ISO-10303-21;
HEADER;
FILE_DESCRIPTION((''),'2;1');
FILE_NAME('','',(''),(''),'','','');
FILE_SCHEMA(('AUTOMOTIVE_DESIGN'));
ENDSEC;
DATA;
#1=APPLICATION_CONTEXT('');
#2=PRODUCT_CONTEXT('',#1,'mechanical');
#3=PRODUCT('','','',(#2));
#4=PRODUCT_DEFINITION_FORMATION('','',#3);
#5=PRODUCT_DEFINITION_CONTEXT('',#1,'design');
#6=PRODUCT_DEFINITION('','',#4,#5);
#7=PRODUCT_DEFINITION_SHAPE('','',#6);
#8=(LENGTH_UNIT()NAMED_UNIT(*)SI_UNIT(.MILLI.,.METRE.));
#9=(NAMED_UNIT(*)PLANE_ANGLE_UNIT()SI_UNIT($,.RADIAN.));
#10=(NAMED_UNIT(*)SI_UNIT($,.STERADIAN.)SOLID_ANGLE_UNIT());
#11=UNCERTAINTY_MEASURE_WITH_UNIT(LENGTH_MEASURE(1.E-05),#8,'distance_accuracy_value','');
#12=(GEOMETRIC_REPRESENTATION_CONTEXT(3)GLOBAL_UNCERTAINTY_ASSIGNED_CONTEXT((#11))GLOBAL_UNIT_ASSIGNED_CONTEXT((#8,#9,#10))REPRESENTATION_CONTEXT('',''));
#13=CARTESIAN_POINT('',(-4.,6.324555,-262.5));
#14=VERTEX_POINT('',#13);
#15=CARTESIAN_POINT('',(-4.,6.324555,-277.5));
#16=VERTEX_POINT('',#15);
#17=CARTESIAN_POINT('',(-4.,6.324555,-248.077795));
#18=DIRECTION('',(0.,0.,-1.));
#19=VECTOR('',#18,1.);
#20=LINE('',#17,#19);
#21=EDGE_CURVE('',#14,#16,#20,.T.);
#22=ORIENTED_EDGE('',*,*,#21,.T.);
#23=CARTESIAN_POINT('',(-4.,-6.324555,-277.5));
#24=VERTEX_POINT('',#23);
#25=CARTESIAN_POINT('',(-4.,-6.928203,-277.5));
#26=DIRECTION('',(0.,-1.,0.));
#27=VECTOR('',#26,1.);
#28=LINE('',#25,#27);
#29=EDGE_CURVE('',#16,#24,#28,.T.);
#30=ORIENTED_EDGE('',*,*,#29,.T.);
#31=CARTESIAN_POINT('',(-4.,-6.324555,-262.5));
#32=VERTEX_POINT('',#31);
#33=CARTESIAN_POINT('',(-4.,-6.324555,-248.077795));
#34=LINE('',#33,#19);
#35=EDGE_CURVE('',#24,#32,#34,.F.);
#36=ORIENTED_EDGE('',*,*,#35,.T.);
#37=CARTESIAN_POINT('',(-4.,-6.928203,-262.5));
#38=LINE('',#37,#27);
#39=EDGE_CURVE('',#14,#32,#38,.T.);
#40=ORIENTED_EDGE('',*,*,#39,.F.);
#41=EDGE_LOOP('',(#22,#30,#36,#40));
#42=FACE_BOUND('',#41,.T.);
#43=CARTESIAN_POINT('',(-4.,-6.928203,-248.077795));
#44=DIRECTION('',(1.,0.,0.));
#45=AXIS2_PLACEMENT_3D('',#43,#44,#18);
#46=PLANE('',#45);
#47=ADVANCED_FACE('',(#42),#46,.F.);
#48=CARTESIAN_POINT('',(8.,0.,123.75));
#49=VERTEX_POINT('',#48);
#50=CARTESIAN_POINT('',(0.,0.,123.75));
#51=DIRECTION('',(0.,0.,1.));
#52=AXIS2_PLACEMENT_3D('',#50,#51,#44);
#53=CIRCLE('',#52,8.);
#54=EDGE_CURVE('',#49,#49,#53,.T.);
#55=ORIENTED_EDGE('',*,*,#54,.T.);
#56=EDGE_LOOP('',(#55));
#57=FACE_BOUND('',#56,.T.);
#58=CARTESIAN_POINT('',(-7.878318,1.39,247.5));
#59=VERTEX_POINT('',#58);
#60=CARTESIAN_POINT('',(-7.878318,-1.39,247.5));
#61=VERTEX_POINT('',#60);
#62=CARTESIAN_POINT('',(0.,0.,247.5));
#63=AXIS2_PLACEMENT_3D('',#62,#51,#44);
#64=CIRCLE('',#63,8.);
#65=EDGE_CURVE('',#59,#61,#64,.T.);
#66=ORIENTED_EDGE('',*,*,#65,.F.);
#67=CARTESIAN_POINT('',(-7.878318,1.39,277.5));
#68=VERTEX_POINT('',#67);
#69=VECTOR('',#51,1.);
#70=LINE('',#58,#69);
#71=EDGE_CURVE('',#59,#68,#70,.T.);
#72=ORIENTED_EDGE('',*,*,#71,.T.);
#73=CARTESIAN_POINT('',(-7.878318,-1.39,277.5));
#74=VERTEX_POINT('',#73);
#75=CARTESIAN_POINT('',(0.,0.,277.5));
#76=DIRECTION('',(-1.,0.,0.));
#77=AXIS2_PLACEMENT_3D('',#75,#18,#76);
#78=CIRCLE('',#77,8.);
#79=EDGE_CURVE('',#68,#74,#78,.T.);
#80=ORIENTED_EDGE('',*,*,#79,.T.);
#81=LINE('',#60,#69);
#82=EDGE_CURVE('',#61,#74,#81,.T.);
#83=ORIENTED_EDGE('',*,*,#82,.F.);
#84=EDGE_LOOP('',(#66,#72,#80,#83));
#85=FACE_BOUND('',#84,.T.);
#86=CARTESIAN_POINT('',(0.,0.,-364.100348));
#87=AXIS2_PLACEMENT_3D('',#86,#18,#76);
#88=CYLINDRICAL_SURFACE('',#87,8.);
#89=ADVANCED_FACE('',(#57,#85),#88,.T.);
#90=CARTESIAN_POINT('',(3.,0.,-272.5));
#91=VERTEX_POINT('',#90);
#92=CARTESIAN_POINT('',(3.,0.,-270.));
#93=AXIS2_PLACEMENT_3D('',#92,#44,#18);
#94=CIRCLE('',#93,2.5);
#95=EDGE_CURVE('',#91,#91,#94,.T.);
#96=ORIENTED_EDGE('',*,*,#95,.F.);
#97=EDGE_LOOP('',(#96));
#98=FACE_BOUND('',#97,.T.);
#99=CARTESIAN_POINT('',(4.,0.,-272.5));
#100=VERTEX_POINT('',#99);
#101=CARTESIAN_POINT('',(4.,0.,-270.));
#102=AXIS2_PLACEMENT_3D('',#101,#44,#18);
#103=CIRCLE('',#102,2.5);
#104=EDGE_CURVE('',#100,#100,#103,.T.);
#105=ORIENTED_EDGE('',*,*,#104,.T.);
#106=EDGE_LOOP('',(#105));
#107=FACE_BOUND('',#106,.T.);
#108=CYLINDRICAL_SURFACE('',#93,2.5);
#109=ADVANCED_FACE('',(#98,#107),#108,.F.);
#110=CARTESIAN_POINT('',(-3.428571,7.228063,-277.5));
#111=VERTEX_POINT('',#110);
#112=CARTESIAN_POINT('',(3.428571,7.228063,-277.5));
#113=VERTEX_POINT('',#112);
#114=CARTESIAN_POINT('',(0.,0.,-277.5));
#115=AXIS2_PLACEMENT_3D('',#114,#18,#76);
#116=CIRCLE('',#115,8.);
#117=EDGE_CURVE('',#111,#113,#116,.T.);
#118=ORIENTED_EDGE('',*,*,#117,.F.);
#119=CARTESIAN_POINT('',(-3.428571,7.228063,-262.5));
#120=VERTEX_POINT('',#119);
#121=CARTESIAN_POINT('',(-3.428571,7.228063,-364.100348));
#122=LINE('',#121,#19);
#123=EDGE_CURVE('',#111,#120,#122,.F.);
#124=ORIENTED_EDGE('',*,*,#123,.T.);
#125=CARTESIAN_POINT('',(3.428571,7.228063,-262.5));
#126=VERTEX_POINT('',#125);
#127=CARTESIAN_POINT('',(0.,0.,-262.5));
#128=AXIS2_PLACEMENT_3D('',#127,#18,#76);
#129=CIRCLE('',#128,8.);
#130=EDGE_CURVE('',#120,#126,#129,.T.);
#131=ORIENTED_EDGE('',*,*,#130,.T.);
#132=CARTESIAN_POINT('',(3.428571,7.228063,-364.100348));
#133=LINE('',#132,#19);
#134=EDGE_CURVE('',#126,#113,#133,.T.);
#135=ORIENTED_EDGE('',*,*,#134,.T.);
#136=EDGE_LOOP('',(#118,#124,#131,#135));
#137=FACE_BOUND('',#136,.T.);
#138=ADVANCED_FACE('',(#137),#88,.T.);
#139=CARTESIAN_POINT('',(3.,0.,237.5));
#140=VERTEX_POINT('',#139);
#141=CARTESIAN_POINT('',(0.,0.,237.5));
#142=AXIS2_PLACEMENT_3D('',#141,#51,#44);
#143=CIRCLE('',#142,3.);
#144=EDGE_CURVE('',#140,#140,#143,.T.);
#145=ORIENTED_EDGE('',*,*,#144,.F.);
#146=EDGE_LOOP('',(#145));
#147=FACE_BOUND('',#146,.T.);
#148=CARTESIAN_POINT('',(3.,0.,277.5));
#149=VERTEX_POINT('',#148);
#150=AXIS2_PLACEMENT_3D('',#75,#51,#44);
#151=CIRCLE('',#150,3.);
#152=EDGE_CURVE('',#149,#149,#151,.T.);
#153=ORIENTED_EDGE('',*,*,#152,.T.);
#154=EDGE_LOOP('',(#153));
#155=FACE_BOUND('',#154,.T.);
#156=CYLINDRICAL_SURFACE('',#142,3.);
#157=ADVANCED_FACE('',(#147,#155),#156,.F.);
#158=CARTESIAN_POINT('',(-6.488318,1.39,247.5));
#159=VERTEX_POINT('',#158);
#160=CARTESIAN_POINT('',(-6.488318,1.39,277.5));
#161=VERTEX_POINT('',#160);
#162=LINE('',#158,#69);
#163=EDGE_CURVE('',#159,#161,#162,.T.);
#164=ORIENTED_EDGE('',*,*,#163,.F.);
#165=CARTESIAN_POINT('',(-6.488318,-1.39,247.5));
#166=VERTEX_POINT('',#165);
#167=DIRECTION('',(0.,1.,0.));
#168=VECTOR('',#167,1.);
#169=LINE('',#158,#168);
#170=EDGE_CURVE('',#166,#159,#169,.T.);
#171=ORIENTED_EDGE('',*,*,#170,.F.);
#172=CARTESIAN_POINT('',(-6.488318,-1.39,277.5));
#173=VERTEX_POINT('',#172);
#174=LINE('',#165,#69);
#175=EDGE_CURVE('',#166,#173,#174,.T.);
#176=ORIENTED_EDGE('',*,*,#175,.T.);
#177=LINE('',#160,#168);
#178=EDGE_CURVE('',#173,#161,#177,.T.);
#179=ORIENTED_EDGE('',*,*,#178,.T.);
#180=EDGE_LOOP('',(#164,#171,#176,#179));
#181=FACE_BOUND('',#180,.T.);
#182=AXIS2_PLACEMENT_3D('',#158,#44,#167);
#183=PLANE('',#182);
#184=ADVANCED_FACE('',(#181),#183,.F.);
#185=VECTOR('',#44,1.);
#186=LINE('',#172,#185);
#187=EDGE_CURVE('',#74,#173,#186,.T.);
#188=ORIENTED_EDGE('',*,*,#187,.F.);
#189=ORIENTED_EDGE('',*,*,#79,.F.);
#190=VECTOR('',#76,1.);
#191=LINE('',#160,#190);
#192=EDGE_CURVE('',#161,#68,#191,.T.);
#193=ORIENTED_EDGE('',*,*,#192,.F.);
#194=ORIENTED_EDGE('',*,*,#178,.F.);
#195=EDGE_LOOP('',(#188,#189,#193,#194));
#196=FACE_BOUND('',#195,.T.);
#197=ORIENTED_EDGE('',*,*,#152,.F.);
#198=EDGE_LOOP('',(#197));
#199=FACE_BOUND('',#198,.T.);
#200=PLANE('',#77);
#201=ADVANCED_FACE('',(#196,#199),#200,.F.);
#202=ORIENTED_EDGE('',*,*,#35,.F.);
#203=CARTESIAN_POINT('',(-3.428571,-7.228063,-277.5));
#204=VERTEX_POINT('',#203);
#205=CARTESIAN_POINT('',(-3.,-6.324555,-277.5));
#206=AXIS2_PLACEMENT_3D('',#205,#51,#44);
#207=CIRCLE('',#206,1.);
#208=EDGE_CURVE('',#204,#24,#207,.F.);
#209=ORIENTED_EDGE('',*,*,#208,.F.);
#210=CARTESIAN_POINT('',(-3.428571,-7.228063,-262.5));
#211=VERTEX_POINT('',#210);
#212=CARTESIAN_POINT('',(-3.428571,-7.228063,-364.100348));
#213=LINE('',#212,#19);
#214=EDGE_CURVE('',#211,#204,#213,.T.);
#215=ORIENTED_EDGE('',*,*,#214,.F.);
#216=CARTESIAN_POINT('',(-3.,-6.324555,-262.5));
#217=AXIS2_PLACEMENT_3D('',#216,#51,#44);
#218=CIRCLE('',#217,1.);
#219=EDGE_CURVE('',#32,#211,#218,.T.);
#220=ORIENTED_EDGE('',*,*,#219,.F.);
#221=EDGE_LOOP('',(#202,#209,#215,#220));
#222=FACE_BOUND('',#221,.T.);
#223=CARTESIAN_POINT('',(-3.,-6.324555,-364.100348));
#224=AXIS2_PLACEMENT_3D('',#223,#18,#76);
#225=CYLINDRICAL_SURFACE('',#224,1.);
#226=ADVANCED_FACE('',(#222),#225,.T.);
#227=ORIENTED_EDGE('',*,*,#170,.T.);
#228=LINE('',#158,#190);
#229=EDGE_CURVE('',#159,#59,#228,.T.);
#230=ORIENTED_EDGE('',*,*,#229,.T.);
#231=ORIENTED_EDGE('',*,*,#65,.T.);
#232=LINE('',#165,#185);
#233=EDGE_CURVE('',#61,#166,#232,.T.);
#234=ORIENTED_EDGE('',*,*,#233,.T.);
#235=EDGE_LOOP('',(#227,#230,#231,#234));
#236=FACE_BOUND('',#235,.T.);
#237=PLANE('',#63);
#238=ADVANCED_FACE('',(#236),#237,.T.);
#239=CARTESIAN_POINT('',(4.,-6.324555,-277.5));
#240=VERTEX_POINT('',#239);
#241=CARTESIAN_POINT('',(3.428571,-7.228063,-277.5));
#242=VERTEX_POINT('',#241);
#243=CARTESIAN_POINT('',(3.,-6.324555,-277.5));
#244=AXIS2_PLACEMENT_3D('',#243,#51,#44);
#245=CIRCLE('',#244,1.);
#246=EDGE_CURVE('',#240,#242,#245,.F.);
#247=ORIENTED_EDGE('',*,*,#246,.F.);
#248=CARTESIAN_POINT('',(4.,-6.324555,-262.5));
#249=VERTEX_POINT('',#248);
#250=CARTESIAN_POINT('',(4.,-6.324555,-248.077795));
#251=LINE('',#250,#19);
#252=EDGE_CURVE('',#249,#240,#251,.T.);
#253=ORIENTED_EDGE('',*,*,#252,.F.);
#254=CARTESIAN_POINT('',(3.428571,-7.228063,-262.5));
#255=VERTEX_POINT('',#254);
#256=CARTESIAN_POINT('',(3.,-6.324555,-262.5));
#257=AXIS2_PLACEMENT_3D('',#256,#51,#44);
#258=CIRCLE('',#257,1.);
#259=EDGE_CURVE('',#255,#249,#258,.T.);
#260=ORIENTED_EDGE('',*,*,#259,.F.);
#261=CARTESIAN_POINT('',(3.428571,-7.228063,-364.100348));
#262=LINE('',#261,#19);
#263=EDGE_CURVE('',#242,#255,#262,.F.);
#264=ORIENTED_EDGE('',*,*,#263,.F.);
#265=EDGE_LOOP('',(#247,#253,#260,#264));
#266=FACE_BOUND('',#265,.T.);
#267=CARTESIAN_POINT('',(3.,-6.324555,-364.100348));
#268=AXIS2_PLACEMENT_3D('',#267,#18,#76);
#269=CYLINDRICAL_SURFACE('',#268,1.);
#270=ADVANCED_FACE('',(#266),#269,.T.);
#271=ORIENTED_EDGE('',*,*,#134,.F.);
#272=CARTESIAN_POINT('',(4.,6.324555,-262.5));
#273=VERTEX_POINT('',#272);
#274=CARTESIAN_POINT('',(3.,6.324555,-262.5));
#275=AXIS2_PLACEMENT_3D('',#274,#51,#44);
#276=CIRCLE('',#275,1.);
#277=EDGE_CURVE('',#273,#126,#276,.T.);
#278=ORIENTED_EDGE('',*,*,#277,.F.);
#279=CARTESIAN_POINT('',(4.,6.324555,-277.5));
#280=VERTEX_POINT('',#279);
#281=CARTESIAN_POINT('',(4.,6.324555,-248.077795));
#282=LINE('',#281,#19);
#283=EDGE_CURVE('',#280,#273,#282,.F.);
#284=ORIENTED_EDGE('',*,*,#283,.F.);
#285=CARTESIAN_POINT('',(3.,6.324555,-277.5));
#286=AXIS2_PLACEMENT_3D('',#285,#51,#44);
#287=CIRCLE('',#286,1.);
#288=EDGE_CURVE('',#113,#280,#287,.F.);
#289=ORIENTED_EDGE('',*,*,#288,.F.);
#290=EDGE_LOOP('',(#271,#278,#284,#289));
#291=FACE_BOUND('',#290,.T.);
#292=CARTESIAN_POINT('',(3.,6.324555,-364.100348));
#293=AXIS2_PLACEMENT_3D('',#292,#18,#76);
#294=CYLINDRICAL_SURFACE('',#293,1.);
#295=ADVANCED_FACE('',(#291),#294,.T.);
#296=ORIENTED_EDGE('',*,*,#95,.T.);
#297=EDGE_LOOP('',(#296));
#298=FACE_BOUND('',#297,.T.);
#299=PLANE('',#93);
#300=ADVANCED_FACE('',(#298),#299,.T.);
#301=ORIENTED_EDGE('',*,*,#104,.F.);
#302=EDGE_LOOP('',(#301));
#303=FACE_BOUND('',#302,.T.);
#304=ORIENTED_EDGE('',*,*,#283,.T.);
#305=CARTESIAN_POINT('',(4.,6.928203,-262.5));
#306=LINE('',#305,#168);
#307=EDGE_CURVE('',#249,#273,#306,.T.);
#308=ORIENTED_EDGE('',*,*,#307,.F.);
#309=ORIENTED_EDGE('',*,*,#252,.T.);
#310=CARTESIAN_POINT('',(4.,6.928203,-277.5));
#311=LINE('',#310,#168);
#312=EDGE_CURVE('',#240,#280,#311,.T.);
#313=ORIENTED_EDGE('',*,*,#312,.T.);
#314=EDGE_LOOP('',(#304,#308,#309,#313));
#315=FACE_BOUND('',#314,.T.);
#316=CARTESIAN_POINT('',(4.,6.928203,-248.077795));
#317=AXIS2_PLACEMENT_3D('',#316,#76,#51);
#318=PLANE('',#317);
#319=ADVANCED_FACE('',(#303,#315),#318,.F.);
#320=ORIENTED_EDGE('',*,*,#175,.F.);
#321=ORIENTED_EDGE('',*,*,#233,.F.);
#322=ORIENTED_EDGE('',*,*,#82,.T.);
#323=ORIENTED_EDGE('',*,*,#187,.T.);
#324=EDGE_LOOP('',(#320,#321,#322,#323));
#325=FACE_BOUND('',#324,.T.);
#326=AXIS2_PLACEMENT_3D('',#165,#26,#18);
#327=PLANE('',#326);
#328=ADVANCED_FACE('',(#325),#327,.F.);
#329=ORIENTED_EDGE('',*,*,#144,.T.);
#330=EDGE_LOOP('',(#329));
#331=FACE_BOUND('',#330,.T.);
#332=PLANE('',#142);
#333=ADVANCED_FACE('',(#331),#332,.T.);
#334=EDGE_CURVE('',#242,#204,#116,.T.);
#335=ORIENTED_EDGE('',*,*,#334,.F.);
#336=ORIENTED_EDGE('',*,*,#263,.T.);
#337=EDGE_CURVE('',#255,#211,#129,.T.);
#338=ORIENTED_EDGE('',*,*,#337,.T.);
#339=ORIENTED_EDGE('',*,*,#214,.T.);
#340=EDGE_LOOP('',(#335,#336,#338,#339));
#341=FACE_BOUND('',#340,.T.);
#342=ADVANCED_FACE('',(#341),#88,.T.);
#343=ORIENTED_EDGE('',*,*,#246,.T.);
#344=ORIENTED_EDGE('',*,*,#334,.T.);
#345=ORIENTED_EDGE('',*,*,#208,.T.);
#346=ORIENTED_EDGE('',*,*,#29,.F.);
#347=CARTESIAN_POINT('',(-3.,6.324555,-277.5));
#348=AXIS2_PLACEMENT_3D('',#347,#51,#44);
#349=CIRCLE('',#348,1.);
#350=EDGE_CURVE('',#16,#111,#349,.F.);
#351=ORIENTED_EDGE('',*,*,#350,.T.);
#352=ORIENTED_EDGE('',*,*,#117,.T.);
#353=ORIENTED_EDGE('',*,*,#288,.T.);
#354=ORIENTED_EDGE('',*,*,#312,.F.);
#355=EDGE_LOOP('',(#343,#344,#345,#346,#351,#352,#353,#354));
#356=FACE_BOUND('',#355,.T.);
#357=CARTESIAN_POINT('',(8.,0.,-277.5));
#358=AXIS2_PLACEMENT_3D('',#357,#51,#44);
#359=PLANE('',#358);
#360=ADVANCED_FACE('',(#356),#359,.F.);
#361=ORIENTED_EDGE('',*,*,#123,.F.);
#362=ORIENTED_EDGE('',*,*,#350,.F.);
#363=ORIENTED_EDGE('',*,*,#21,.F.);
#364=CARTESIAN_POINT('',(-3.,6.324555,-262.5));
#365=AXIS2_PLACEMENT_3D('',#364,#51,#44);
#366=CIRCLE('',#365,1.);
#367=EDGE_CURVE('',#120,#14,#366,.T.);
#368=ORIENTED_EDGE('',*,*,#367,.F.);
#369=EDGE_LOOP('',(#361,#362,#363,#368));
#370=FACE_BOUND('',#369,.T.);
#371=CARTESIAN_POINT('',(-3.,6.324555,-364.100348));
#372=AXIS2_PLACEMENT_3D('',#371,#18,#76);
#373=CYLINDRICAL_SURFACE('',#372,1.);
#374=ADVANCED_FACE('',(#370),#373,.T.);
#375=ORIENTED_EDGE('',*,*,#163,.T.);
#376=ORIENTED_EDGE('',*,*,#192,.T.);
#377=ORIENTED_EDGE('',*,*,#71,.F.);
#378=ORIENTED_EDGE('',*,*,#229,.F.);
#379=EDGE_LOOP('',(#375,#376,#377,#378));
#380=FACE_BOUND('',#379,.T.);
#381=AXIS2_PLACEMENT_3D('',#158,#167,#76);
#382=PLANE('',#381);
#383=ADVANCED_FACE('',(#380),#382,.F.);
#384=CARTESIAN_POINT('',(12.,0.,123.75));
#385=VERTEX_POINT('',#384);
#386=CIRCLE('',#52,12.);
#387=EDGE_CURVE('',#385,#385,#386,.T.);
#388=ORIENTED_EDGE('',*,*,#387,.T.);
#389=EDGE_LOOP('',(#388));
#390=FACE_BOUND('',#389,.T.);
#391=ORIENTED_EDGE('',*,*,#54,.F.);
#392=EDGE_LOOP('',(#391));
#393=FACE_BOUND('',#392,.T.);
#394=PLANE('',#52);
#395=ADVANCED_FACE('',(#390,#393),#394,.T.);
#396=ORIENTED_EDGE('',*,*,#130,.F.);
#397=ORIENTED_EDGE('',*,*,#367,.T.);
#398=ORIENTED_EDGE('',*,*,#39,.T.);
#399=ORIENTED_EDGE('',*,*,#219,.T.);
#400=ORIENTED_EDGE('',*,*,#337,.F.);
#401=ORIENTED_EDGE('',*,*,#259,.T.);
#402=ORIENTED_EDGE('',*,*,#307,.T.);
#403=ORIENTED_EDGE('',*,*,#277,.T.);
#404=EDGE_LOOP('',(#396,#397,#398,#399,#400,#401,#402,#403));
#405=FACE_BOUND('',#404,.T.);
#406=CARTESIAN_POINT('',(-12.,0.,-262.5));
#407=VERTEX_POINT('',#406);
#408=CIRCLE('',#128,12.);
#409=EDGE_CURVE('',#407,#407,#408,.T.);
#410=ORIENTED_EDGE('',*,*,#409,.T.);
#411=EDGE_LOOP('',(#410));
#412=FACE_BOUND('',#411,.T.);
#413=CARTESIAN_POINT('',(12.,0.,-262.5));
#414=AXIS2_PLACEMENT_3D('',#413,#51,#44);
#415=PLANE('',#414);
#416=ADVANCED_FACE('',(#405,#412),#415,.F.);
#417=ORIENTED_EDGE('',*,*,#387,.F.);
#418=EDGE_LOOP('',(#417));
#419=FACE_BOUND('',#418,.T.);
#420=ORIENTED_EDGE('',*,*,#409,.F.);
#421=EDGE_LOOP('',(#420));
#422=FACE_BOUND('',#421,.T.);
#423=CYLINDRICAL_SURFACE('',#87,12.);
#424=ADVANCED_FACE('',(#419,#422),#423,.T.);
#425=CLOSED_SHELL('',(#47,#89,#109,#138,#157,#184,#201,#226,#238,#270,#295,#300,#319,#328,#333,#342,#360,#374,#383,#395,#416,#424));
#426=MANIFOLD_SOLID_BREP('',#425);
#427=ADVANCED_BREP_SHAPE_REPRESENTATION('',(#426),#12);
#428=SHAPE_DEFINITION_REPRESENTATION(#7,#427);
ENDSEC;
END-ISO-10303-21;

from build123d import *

# Parameters (mm, degrees)
CUT_EXTRUDE2_START = -30
CUT_EXTRUDE2_DEPTH = 30
SKETCH5_R          = 3
CUT_EXTRUDE3_DEPTH = 40
CUT_EXTRUDE4_START = -138.75
SKETCH6_R          = 12
SKETCH6_R_2        = 8
CUT_EXTRUDE4_DEPTH = 138.75
CUT_EXTRUDE5_DEPTH = 15
FILLET1_R          = 1
SKETCH8_R          = 2.5
CUT_EXTRUDE6_DEPTH = 1


with BuildPart() as part:
    # Sketch2 → Revolve2 (revolve)
    with BuildSketch(Plane(origin=(0, 0, 0), x_dir=(1, 0, 0), z_dir=(0, 1, 0)), mode=Mode.PRIVATE) as revolve2_sk:
        Polygon((0, -277.5), (8, -277.5), (8, -262.5), (12, -262.5), (12, 262.5), (8, 262.5), (8, 277.5), (0, 277.5), align=None)
    revolve(revolve2_sk.sketch.rotate(Axis((0, 0, -364.100348117), (0, 0, 1)), 180), axis=Axis((0, 0, -364.100348117), (0, 0, 1)))

    # Sketch4 → Cut-Extrude2 (cut)
    with BuildSketch(Plane.XY.offset(277.5).offset(CUT_EXTRUDE2_START)):
        with BuildLine():
            Line((-6.488318348, 1.39), (-7.878318348, 1.39))
            ThreePointArc((-7.878318348, 1.39), (-8, 0), (-7.878318348, -1.39))
            Line((-7.878318348, -1.39), (-6.488318348, -1.39))
            Line((-6.488318348, -1.39), (-6.488318348, 1.39))
        make_face()
    extrude(amount=CUT_EXTRUDE2_DEPTH, mode=Mode.SUBTRACT)

    # Sketch5 → Cut-Extrude3 (cut)
    with BuildSketch(Plane.XY.offset(277.5)):
        Circle(SKETCH5_R)
    extrude(amount=-CUT_EXTRUDE3_DEPTH, mode=Mode.SUBTRACT)

    # Sketch6 → Cut-Extrude4 (cut)
    with BuildSketch(Plane.XY.offset(262.5).offset(CUT_EXTRUDE4_START)):
        with Locations(Location((0, 0, 0), (0, 0, 180))):
            Circle(SKETCH6_R)
        with Locations(Location((0, 0, 0), (0, 0, 180))):
            Circle(SKETCH6_R_2, mode=Mode.SUBTRACT)
    extrude(amount=CUT_EXTRUDE4_DEPTH, mode=Mode.SUBTRACT)

    # Sketch7 → Cut-Extrude5 (cut)
    with BuildSketch(Plane(origin=(0, 0, -277.5), x_dir=(-1, 0, 0), z_dir=(0, 0, -1))):
        with BuildLine():
            Line((-4, 6.92820323), (-4, -6.92820323))
            ThreePointArc((-4, -6.92820323), (-8, 0), (-4, 6.92820323))
        make_face()
        with BuildLine():
            Line((4, -6.92820323), (4, 6.92820323))
            ThreePointArc((4, 6.92820323), (8, 0), (4, -6.92820323))
        make_face()
    extrude(amount=-CUT_EXTRUDE5_DEPTH, mode=Mode.SUBTRACT)

    # Fillet1
    fillet1_edges = [part.edges().sort_by_distance(p)[0] for p in [
        (4, 6.92820323, -270),
        (4, -6.92820323, -270),
        (-4, -6.92820323, -270),
        (-4, 6.92820323, -270),
    ]]
    fillet(fillet1_edges, radius=FILLET1_R)

    # Sketch8 → Cut-Extrude6 (cut)
    with BuildSketch(Plane(origin=(4, 0, 0), x_dir=(0, 0, -1), z_dir=(1, 0, 0))):
        with Locations((270, 0)):
            Circle(SKETCH8_R)
    extrude(amount=-CUT_EXTRUDE6_DEPTH, mode=Mode.SUBTRACT)


solid = part.part
